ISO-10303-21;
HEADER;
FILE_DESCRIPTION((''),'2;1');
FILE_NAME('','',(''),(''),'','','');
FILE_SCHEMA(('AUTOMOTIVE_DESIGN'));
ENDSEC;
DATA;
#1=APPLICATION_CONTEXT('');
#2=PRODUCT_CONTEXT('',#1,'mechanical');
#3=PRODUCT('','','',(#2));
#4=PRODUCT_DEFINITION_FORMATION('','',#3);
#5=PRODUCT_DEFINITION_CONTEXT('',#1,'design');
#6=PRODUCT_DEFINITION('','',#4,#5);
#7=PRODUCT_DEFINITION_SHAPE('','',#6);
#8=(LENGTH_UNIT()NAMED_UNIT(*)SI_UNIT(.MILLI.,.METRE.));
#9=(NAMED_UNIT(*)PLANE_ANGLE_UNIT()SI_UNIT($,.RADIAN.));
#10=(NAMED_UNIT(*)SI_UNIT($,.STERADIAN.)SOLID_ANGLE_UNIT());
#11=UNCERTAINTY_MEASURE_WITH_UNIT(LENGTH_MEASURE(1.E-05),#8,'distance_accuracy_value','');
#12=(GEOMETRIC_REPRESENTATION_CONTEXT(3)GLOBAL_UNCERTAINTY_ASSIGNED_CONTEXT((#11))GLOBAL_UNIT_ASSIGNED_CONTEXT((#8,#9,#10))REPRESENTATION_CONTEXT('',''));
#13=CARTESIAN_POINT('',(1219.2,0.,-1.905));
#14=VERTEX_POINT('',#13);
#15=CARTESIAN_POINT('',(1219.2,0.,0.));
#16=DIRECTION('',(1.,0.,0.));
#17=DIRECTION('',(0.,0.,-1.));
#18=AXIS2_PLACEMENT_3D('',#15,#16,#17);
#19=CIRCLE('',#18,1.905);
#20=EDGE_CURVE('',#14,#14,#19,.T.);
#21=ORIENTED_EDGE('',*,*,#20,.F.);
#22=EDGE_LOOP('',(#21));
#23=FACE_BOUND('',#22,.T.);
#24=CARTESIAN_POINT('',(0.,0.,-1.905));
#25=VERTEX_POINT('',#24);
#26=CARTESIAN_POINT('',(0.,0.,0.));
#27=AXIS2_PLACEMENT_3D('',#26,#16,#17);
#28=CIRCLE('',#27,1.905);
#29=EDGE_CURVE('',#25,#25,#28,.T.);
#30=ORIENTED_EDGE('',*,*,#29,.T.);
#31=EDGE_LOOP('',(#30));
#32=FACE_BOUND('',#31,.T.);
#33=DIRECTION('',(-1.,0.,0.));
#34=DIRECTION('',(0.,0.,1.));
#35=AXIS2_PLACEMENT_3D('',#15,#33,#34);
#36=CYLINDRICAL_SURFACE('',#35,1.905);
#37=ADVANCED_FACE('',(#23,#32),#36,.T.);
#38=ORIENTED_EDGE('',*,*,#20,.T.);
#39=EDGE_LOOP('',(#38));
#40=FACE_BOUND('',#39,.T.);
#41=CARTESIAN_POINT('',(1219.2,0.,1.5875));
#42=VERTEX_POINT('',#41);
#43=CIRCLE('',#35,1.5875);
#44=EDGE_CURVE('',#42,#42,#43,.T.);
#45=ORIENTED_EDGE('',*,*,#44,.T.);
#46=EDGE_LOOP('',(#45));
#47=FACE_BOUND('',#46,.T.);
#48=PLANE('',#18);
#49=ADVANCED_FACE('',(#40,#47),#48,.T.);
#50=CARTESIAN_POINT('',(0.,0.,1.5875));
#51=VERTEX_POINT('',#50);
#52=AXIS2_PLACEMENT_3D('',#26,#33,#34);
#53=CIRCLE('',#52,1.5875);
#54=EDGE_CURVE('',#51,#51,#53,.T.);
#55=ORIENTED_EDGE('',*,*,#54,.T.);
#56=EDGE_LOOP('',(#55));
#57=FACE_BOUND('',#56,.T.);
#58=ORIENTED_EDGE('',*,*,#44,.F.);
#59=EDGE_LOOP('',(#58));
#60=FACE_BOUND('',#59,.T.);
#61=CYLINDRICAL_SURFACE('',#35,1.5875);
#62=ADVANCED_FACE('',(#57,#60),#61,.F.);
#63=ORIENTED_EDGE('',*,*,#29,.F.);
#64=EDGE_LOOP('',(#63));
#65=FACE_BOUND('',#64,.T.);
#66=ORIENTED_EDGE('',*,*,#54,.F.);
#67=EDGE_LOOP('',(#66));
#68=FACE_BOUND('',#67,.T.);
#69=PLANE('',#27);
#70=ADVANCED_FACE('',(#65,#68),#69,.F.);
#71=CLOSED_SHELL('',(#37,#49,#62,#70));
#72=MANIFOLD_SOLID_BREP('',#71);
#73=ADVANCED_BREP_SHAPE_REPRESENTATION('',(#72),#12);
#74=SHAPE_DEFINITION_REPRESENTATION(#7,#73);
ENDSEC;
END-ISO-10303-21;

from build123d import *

# Parameters (mm, degrees)
SKETCH1_R           = 1.905
BOSS_EXTRUDE1_DEPTH = 1219.2
SKETCH2_R           = 1.5875
CUT_EXTRUDE1_DEPTH  = 1220.2


with BuildPart() as part:
    # Sketch1 → Boss-Extrude1 (new body)
    with BuildSketch(Plane(origin=(0, 0, 0), x_dir=(0, 0, -1), z_dir=(1, 0, 0))):
        Circle(SKETCH1_R)
    extrude(amount=BOSS_EXTRUDE1_DEPTH)

    # Sketch2 → Cut-Extrude1 (cut, through all)
    with BuildSketch(Plane.ZY):
        Circle(SKETCH2_R)
    extrude(amount=-CUT_EXTRUDE1_DEPTH, mode=Mode.SUBTRACT)


solid = part.part
